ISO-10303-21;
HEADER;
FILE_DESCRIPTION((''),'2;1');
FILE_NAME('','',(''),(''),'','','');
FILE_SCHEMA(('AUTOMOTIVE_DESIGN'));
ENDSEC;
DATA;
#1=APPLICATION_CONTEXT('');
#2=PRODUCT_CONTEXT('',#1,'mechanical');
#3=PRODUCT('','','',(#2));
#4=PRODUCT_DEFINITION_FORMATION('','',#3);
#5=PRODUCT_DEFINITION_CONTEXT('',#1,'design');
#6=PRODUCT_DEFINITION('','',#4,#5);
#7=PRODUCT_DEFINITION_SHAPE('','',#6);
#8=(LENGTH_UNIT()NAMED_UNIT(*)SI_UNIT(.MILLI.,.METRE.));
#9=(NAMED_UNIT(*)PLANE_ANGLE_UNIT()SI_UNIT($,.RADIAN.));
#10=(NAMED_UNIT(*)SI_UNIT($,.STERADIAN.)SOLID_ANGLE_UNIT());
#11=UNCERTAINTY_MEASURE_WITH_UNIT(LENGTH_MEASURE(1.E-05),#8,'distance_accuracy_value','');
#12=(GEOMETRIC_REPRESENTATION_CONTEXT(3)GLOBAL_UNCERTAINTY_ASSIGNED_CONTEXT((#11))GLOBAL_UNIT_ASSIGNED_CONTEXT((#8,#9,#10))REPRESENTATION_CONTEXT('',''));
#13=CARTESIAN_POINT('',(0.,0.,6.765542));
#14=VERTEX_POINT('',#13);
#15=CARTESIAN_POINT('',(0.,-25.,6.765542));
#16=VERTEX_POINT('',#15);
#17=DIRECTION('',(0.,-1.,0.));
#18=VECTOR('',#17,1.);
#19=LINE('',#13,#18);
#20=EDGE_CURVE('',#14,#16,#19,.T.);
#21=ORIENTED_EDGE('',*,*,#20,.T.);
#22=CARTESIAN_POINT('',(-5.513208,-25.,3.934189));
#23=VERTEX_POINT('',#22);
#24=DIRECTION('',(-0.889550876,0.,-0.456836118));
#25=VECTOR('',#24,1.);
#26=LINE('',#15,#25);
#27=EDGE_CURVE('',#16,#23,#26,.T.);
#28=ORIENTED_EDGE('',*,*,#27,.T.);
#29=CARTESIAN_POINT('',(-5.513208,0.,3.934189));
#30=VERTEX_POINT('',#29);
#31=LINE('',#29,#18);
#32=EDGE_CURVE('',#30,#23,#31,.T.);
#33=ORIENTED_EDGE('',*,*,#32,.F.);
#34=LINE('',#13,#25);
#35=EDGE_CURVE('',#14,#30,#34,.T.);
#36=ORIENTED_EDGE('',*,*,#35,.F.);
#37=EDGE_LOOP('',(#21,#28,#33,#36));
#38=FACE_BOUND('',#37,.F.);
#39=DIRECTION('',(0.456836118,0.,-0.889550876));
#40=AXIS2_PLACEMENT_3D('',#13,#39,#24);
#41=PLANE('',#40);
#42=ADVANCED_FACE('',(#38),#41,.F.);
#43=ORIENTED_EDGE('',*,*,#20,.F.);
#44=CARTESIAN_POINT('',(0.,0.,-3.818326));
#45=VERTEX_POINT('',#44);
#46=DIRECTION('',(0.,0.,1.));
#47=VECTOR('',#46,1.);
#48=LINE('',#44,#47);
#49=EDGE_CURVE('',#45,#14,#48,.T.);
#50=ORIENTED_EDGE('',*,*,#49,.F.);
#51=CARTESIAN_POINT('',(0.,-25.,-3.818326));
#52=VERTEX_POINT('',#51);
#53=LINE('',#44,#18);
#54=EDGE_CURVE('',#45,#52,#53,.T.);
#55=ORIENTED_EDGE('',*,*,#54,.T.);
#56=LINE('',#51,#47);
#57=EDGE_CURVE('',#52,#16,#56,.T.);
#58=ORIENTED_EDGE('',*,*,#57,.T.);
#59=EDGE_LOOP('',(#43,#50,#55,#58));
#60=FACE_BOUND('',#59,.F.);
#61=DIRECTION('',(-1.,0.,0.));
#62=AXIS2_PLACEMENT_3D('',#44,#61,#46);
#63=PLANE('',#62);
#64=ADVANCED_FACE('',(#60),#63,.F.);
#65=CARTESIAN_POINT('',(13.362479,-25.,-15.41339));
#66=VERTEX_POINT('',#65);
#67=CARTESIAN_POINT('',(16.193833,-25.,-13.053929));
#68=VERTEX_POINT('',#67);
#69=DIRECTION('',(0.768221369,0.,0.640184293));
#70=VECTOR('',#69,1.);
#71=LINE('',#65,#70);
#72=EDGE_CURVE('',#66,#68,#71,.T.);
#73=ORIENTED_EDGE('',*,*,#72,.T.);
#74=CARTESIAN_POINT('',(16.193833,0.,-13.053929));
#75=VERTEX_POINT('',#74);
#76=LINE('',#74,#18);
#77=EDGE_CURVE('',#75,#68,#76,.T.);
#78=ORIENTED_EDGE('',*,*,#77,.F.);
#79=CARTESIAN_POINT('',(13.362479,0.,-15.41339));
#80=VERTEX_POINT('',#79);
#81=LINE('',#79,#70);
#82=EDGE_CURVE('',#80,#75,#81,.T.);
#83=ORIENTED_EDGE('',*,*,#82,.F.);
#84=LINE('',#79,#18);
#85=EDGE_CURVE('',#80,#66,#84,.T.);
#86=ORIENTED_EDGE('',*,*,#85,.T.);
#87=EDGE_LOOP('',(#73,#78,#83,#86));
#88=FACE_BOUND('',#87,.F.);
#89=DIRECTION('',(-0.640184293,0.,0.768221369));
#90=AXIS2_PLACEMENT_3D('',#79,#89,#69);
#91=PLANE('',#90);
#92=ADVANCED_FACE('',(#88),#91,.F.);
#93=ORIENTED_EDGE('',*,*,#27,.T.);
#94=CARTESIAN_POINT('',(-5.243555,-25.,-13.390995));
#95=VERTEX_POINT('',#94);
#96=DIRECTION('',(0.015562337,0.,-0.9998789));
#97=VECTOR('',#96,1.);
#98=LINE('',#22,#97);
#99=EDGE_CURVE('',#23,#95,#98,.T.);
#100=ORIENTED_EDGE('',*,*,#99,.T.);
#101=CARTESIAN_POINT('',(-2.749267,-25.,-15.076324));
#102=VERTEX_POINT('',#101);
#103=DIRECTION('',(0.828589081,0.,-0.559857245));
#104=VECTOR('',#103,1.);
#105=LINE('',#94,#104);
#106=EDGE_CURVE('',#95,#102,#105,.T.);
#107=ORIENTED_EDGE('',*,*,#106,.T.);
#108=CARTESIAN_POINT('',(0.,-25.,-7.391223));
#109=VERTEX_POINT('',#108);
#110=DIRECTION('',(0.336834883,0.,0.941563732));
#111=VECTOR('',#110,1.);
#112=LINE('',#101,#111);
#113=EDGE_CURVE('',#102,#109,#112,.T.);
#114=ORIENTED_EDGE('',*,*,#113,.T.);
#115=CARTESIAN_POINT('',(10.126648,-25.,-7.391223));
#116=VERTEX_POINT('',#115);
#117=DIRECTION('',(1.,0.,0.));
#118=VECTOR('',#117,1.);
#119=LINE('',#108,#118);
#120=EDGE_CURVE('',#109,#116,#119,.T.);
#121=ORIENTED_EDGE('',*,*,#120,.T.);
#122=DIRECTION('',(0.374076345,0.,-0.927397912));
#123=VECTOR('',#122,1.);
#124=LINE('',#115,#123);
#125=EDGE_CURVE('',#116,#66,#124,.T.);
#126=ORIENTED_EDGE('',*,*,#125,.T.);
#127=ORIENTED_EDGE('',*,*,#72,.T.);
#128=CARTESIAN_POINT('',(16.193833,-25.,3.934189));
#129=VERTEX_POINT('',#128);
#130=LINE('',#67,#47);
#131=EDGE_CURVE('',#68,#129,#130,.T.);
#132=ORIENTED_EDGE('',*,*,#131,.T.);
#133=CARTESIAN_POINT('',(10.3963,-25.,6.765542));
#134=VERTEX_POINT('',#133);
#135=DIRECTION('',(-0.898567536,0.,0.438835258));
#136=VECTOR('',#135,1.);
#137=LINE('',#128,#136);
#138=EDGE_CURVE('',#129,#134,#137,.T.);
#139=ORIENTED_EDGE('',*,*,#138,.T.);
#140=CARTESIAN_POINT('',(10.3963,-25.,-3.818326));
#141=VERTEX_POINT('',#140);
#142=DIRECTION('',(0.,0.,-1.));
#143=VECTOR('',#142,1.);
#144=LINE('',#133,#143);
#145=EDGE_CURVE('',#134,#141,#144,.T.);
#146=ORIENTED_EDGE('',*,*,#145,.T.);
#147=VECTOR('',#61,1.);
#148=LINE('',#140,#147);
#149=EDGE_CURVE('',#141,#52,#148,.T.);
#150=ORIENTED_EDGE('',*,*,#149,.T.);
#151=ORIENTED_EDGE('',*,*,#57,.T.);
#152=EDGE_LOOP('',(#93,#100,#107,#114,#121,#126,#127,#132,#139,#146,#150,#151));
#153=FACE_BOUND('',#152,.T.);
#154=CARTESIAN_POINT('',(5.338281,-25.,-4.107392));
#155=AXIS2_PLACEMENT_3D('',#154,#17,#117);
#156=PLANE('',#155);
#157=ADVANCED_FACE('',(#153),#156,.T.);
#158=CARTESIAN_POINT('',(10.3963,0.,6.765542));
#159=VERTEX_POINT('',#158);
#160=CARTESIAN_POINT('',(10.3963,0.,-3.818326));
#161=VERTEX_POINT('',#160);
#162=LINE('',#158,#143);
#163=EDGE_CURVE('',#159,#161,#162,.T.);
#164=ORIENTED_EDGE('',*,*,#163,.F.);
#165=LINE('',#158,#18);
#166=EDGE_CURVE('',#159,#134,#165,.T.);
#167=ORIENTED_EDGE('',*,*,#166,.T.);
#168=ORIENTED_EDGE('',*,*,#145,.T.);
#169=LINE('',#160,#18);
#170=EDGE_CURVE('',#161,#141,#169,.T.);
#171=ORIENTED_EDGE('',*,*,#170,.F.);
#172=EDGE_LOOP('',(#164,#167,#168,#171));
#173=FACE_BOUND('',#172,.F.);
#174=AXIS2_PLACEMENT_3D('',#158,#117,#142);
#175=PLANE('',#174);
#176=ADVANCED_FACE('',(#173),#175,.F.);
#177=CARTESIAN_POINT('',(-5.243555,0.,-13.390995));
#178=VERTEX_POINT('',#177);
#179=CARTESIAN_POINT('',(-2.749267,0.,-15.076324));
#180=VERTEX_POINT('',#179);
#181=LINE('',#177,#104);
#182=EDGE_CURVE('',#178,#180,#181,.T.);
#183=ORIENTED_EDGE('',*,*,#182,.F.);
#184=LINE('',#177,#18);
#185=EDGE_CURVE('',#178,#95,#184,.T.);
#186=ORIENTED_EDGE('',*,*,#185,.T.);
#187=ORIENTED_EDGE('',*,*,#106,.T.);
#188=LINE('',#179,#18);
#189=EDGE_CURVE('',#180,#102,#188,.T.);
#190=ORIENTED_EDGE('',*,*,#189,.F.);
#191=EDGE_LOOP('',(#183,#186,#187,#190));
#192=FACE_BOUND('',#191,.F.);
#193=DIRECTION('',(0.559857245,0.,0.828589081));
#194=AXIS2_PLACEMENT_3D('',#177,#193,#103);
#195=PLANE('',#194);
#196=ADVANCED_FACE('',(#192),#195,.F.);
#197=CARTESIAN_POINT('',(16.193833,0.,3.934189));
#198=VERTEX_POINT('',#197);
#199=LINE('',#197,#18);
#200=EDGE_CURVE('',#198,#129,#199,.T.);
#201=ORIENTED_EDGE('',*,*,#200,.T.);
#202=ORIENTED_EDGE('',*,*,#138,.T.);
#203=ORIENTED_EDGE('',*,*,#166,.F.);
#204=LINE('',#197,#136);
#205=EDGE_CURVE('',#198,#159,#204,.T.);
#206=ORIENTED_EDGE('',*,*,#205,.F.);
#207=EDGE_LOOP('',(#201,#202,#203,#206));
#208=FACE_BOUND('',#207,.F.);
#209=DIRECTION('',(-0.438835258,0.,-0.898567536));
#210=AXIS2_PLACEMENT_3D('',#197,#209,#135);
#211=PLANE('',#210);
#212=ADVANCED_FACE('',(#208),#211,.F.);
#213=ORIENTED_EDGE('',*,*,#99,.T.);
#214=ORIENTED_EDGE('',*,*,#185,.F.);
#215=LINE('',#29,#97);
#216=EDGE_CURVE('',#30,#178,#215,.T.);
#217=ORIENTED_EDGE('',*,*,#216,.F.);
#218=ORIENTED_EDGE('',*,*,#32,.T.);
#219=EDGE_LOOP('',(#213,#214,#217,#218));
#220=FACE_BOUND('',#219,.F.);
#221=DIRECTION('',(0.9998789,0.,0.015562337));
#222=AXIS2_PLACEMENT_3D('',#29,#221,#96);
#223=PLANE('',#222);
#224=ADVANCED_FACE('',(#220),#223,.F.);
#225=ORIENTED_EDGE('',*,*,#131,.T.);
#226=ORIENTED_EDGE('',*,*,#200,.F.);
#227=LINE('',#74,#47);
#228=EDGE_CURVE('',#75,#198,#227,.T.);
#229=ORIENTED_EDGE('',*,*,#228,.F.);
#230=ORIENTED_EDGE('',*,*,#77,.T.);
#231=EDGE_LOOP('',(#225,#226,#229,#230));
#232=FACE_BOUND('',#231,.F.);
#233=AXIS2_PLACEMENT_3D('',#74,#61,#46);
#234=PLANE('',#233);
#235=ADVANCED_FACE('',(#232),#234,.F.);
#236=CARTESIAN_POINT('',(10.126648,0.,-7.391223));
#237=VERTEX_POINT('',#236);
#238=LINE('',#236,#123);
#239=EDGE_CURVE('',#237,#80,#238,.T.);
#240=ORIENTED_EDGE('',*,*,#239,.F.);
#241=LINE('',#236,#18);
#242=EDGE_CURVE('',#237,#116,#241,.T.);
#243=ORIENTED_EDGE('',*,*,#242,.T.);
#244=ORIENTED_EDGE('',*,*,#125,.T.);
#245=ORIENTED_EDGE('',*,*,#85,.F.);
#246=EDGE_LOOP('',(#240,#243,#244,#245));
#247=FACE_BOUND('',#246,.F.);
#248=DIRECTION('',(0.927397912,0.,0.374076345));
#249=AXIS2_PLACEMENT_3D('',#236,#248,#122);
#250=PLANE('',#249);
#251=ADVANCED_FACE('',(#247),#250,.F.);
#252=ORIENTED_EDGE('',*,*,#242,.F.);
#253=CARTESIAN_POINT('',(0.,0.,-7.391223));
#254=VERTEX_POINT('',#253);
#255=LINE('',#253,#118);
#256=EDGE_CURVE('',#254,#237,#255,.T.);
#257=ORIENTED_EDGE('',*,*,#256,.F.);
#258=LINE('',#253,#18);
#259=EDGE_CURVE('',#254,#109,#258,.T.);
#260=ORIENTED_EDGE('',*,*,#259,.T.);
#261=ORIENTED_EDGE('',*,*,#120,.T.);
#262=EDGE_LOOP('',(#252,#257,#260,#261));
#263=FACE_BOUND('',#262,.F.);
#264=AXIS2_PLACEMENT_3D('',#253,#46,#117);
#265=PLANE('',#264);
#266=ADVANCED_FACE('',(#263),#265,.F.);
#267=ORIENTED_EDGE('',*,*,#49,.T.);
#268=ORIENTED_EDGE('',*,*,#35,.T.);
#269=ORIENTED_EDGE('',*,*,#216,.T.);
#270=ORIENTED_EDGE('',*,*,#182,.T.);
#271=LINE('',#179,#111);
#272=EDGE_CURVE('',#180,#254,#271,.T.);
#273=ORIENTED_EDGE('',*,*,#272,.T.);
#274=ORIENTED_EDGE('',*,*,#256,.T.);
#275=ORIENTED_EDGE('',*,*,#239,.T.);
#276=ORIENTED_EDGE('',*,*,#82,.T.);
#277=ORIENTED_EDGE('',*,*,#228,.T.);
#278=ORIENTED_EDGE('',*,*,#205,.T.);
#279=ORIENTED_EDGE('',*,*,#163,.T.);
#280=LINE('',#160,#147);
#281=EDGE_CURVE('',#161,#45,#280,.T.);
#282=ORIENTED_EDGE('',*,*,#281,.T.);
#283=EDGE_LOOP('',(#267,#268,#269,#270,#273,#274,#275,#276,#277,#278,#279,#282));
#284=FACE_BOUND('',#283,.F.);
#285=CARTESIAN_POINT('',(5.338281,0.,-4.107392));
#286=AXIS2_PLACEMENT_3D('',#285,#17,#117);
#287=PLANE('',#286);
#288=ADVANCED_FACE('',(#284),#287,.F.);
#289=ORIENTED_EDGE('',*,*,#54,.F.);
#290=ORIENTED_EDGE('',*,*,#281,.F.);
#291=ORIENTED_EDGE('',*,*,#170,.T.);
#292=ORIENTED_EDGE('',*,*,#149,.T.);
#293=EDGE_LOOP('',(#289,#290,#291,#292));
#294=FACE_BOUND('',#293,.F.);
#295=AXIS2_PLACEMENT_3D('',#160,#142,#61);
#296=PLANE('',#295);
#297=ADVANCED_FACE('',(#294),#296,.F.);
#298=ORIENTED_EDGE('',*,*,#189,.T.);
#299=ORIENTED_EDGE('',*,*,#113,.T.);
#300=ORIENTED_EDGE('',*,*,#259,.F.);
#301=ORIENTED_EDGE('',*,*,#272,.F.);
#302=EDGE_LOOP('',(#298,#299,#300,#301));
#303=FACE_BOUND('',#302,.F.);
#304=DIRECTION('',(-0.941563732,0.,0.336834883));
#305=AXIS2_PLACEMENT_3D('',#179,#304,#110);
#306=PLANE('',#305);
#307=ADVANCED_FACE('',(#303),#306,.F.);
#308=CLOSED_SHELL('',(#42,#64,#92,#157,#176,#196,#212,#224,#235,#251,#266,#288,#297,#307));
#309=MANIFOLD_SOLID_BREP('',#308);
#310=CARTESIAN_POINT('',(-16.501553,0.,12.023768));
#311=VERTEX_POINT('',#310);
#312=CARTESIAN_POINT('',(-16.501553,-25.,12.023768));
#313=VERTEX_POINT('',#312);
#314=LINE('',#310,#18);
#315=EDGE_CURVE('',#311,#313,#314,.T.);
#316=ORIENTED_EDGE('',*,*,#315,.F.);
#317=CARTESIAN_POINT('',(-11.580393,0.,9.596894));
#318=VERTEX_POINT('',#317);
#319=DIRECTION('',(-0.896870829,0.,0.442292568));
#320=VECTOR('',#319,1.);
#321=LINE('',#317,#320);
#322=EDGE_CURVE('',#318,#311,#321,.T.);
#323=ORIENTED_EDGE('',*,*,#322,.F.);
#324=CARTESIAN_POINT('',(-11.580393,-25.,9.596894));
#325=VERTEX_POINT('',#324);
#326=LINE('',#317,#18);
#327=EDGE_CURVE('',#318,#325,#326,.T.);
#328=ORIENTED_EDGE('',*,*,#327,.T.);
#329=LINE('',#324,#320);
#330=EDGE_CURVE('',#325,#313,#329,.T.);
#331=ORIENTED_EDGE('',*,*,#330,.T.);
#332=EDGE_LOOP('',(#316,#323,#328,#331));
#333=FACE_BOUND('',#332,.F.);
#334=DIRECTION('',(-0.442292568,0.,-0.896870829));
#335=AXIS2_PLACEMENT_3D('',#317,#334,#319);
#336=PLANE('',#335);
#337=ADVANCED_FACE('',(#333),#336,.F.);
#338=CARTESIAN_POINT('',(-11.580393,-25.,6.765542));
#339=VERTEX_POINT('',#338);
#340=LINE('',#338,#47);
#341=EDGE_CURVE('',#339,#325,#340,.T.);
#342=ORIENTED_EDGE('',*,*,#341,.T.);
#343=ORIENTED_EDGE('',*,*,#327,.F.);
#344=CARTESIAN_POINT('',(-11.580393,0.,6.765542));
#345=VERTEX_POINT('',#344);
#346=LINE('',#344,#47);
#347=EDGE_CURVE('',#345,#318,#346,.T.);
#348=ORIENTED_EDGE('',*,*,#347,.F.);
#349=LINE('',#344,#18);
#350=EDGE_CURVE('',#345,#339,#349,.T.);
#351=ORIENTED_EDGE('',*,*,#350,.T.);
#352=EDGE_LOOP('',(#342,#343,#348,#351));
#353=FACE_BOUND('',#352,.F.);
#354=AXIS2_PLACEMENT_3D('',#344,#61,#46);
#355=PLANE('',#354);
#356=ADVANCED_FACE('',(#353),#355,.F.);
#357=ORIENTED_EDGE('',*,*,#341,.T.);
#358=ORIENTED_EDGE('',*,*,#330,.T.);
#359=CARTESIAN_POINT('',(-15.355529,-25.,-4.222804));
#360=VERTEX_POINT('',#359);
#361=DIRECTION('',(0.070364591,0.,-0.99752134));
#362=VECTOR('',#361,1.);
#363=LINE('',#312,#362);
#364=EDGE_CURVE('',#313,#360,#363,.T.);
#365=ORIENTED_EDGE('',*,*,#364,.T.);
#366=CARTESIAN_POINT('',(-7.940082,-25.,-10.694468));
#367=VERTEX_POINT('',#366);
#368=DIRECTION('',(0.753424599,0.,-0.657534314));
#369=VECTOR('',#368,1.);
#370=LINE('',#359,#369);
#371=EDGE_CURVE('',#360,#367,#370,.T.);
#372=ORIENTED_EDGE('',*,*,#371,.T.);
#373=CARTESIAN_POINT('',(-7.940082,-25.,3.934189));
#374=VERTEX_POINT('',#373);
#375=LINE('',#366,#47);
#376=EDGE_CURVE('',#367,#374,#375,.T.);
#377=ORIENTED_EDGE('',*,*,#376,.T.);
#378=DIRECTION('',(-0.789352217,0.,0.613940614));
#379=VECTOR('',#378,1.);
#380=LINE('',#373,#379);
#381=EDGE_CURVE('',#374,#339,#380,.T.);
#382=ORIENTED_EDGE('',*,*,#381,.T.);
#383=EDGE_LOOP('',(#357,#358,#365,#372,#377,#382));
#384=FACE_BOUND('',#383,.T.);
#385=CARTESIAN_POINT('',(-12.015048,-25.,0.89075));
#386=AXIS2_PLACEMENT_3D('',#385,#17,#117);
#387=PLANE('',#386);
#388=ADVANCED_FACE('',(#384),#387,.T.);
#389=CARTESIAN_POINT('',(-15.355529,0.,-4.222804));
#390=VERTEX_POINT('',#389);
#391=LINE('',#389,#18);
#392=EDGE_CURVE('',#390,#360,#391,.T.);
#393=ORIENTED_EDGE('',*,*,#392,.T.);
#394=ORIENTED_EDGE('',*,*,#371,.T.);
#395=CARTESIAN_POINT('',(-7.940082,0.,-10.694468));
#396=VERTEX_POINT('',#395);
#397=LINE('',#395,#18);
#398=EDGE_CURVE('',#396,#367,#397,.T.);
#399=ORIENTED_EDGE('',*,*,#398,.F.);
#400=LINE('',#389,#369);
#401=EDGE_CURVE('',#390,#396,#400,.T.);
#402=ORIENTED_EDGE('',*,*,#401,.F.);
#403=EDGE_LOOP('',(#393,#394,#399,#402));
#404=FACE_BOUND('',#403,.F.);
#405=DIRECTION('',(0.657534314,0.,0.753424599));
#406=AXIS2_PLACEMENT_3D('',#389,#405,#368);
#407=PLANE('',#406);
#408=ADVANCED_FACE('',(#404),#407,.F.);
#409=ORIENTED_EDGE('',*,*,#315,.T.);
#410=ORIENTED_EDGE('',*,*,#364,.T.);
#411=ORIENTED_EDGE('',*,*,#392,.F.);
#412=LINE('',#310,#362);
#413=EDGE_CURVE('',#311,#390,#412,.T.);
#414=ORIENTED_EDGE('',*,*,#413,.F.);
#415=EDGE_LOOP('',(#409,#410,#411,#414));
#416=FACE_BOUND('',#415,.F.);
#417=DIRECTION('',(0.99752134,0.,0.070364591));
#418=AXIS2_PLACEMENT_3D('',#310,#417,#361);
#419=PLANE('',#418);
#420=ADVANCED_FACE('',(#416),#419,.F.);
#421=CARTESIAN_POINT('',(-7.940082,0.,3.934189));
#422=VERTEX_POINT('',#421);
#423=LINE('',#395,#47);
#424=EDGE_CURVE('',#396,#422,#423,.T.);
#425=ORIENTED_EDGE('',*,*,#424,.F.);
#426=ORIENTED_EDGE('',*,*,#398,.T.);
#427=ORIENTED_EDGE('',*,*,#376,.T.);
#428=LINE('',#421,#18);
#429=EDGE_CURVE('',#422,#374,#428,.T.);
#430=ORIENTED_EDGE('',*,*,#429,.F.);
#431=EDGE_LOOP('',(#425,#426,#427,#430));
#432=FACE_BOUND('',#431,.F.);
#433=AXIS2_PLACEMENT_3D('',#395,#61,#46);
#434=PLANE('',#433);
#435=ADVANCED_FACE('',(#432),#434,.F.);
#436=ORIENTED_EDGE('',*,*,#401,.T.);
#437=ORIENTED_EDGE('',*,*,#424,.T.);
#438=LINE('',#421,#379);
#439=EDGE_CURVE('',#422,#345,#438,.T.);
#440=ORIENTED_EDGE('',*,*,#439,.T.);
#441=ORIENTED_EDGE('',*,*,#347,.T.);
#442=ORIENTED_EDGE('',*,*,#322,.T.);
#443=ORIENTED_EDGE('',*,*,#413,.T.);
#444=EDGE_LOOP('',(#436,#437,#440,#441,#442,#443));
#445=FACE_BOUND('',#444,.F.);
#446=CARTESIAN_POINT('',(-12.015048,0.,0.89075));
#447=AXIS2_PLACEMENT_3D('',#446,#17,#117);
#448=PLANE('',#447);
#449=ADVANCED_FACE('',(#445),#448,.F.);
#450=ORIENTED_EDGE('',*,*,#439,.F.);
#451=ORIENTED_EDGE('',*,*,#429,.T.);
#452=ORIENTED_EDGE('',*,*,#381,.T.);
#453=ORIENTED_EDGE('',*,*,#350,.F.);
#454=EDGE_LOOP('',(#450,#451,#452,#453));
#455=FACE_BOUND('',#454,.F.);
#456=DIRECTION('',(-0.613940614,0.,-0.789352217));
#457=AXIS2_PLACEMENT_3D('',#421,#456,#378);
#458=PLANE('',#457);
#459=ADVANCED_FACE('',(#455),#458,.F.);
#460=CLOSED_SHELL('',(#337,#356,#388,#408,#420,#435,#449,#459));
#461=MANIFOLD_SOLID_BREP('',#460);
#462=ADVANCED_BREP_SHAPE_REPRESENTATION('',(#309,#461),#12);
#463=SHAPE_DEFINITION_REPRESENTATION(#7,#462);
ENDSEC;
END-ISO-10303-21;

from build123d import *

# Parameters (mm, degrees)
F1_DEPTH = 25


with BuildPart() as f1:
    # F0 (on Front) → F1 (new body)
    with BuildSketch(Plane.XZ):
        Polygon((-11.580393, 9.596894), (-16.501553, 12.023768), (-15.355529, -4.222804), (-7.940082, -10.694468), (-7.940082, 3.934189), (-11.580393, 6.765542), align=None)
        Polygon((0, 6.765542), (-5.513208, 3.934189), (-5.243555, -13.390995), (-2.749267, -15.076324), (0, -7.391223), (10.126648, -7.391223), (13.362479, -15.41339), (16.193833, -13.053929), (16.193833, 3.934189), (10.3963, 6.765542), (10.3963, -3.818326), (0, -3.818326), align=None)
    extrude(amount=F1_DEPTH)


solid = f1.part
